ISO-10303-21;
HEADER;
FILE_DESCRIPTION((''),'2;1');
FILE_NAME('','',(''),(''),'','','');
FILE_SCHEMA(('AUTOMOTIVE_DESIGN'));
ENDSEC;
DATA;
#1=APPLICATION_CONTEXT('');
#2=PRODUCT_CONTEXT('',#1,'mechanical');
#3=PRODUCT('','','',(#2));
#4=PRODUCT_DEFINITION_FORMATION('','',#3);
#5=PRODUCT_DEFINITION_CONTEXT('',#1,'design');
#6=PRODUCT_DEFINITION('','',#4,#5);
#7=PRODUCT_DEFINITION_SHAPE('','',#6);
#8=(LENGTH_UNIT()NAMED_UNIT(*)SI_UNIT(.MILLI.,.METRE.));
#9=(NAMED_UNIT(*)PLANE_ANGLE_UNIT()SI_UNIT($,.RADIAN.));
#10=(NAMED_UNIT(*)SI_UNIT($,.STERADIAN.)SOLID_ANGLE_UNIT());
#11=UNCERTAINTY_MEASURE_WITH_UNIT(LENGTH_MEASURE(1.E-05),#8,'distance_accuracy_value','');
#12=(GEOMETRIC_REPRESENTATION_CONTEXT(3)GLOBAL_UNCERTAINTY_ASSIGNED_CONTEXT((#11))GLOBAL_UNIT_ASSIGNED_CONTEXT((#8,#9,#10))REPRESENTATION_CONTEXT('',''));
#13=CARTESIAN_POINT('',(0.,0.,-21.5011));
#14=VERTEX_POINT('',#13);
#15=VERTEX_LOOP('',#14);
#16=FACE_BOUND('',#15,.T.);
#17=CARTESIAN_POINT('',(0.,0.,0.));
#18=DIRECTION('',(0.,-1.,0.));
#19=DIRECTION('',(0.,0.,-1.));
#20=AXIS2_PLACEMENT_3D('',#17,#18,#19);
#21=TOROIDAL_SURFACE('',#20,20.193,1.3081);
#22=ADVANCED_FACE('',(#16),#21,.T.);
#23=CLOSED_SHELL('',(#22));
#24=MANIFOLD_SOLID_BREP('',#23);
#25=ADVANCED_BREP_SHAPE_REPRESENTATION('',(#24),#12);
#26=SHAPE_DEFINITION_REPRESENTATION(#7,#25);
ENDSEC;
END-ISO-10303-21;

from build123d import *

# Parameters (mm, degrees)
SKETCH2_R = 1.3081


with BuildPart() as part:
    # Sweep1: sweep along a path in Sketch1
    with BuildLine(Plane(origin=(0, 0, 0), x_dir=(1, 0, 0), z_dir=(0, 1, 0))) as sweep1_path:
        CenterArc((0, 0), 18.8849, 0, 360)
    # Sketch2 → Sweep1 (sweep)
    with BuildSketch(Plane.XY):
        with Locations((-20.193, 0)):
            Circle(SKETCH2_R)
    sweep(path=sweep1_path.line)


solid = part.part
